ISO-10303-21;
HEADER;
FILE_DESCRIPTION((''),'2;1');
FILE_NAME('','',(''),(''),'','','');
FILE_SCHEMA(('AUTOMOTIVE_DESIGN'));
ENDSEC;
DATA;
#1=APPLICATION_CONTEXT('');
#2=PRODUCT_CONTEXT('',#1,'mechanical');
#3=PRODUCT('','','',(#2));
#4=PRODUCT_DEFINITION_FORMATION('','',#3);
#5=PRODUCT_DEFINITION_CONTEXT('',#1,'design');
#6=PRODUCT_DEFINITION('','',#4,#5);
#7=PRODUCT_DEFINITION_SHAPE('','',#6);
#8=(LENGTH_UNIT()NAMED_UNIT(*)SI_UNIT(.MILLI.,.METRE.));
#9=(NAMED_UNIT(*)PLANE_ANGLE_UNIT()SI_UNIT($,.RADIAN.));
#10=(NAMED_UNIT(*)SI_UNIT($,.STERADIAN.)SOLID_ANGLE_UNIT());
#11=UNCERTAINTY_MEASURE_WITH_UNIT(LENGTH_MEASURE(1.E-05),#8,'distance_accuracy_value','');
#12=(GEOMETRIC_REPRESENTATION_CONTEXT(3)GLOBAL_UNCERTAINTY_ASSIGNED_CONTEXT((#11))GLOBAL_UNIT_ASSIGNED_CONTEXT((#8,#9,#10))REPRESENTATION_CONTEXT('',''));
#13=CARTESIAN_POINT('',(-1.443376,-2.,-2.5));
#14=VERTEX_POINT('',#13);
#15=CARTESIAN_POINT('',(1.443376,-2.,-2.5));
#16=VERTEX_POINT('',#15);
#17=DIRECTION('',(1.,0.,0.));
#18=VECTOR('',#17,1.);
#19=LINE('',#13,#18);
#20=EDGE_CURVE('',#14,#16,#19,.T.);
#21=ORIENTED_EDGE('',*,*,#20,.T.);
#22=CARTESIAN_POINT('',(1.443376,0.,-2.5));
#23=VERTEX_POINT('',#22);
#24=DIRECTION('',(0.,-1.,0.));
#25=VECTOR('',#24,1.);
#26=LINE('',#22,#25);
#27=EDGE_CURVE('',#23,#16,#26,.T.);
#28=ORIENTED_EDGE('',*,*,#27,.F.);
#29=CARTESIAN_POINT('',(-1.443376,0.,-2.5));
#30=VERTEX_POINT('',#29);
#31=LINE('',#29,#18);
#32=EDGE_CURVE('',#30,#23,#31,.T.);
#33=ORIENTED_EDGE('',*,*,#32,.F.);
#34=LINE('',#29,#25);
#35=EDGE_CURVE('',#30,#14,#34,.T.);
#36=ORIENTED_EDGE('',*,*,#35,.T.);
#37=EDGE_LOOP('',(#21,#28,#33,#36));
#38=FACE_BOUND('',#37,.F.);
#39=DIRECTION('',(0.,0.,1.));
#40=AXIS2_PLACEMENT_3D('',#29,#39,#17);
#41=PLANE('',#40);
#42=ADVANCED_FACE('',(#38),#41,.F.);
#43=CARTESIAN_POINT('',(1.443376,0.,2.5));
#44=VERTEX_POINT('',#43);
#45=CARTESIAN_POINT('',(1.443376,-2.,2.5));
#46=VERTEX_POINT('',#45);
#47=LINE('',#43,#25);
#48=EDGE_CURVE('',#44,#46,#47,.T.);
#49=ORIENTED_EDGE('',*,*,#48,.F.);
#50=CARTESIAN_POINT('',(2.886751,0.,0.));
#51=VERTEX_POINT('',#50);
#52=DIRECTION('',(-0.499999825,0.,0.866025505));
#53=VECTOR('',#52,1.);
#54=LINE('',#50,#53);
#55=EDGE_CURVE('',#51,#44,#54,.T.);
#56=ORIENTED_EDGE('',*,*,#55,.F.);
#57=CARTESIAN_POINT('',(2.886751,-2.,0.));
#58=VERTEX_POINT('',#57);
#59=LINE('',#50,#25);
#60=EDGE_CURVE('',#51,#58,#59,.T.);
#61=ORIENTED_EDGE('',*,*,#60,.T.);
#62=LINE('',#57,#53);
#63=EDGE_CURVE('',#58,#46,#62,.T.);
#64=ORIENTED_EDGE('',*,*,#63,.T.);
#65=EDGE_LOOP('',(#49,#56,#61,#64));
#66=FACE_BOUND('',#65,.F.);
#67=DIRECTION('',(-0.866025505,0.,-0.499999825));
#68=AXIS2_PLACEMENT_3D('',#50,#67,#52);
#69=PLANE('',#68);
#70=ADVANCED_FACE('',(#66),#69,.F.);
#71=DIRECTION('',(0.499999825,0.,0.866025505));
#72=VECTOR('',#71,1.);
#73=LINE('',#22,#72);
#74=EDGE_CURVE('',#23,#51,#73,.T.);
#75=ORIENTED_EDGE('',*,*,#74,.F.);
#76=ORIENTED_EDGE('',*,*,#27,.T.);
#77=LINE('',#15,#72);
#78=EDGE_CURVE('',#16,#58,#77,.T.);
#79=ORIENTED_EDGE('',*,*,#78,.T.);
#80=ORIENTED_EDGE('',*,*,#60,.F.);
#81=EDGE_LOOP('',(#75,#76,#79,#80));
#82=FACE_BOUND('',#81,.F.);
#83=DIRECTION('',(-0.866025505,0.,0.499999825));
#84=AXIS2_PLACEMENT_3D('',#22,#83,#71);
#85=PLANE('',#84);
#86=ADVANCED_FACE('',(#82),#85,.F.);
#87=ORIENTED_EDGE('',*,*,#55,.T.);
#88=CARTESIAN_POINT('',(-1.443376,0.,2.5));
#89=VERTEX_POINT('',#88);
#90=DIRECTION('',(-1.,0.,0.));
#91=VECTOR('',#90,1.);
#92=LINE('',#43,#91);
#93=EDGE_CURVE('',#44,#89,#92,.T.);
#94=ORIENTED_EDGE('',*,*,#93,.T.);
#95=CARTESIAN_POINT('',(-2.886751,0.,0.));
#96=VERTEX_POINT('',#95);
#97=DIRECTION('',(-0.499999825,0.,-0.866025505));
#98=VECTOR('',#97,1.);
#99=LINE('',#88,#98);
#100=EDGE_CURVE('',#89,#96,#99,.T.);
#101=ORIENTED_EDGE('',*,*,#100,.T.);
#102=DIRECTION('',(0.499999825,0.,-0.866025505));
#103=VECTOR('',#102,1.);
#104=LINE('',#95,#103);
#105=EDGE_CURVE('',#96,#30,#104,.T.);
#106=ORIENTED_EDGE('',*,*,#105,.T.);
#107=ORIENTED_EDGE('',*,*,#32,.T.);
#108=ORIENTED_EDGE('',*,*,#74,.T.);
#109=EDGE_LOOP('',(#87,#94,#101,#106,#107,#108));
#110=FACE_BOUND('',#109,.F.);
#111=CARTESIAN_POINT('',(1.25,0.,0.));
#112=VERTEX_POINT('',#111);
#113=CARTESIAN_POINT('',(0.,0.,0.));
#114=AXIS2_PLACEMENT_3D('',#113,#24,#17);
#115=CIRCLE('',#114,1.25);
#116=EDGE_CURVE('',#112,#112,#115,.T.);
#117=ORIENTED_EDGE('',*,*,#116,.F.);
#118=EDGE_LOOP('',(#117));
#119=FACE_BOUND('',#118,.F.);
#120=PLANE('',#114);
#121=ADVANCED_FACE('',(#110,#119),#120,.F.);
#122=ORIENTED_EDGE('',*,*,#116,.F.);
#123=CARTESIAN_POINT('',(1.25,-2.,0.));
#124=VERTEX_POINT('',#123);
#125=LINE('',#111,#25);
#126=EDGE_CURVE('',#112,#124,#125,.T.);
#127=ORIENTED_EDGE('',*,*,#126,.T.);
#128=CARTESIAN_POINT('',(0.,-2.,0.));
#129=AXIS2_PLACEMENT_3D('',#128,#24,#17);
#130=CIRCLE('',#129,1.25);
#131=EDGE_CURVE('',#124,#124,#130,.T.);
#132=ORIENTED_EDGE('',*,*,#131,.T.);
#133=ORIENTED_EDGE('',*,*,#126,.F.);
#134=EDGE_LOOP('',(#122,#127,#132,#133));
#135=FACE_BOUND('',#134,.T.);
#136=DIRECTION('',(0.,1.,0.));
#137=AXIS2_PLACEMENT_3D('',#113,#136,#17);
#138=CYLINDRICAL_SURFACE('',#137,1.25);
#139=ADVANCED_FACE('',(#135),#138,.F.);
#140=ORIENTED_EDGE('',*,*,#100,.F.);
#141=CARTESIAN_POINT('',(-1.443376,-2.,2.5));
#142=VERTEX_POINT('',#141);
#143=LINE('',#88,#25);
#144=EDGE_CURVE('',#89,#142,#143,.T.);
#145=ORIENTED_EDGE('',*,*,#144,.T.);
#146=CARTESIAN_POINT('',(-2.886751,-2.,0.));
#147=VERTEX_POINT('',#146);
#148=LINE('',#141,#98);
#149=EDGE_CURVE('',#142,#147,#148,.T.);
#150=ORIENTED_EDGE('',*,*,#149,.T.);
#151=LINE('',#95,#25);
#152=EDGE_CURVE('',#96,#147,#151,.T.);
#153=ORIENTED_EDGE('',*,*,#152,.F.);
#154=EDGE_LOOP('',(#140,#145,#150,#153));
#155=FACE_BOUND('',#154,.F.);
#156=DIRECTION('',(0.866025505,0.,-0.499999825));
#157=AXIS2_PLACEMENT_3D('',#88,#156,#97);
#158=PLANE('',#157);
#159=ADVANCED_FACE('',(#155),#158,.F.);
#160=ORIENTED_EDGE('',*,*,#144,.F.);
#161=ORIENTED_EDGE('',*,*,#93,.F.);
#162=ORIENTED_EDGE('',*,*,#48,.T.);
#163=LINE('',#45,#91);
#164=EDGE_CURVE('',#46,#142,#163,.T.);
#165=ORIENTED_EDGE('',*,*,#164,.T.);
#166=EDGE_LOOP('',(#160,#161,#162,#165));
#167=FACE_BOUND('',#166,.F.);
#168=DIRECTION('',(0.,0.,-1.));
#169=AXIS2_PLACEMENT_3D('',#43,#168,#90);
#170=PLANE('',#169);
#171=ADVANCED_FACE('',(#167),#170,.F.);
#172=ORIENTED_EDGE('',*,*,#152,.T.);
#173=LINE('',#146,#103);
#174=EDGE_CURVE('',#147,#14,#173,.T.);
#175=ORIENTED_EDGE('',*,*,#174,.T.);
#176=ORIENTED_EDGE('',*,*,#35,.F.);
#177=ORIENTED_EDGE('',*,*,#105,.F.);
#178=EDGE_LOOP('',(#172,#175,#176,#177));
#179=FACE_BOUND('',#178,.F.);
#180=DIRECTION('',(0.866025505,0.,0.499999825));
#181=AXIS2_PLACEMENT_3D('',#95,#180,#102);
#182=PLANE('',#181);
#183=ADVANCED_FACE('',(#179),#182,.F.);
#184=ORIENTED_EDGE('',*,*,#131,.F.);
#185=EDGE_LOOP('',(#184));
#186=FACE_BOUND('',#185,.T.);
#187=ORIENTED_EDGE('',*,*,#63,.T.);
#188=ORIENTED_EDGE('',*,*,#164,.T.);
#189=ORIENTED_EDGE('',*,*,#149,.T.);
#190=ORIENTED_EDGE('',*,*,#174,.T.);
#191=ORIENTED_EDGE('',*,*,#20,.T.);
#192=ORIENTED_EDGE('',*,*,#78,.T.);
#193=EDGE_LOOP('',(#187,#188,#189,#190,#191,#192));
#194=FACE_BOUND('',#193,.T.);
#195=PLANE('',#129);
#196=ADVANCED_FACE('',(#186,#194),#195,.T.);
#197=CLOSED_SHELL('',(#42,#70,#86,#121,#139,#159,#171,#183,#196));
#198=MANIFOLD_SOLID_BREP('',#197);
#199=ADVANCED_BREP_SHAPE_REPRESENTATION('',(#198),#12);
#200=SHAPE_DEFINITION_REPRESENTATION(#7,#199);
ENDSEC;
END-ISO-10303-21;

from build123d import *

# Parameters (mm, degrees)
SKETCH_R  = 1.25
PAD_DEPTH = 2


with BuildPart() as part:
    # Sketch → Pad (new body)
    with BuildSketch(Plane.XZ):
        Polygon((1.443376, 2.5), (-1.443376, 2.5), (-2.886751, 0), (-1.443376, -2.5), (1.443376, -2.5), (2.886751, 0), align=None)
        Circle(SKETCH_R, mode=Mode.SUBTRACT)
    extrude(amount=PAD_DEPTH)


solid = part.part
